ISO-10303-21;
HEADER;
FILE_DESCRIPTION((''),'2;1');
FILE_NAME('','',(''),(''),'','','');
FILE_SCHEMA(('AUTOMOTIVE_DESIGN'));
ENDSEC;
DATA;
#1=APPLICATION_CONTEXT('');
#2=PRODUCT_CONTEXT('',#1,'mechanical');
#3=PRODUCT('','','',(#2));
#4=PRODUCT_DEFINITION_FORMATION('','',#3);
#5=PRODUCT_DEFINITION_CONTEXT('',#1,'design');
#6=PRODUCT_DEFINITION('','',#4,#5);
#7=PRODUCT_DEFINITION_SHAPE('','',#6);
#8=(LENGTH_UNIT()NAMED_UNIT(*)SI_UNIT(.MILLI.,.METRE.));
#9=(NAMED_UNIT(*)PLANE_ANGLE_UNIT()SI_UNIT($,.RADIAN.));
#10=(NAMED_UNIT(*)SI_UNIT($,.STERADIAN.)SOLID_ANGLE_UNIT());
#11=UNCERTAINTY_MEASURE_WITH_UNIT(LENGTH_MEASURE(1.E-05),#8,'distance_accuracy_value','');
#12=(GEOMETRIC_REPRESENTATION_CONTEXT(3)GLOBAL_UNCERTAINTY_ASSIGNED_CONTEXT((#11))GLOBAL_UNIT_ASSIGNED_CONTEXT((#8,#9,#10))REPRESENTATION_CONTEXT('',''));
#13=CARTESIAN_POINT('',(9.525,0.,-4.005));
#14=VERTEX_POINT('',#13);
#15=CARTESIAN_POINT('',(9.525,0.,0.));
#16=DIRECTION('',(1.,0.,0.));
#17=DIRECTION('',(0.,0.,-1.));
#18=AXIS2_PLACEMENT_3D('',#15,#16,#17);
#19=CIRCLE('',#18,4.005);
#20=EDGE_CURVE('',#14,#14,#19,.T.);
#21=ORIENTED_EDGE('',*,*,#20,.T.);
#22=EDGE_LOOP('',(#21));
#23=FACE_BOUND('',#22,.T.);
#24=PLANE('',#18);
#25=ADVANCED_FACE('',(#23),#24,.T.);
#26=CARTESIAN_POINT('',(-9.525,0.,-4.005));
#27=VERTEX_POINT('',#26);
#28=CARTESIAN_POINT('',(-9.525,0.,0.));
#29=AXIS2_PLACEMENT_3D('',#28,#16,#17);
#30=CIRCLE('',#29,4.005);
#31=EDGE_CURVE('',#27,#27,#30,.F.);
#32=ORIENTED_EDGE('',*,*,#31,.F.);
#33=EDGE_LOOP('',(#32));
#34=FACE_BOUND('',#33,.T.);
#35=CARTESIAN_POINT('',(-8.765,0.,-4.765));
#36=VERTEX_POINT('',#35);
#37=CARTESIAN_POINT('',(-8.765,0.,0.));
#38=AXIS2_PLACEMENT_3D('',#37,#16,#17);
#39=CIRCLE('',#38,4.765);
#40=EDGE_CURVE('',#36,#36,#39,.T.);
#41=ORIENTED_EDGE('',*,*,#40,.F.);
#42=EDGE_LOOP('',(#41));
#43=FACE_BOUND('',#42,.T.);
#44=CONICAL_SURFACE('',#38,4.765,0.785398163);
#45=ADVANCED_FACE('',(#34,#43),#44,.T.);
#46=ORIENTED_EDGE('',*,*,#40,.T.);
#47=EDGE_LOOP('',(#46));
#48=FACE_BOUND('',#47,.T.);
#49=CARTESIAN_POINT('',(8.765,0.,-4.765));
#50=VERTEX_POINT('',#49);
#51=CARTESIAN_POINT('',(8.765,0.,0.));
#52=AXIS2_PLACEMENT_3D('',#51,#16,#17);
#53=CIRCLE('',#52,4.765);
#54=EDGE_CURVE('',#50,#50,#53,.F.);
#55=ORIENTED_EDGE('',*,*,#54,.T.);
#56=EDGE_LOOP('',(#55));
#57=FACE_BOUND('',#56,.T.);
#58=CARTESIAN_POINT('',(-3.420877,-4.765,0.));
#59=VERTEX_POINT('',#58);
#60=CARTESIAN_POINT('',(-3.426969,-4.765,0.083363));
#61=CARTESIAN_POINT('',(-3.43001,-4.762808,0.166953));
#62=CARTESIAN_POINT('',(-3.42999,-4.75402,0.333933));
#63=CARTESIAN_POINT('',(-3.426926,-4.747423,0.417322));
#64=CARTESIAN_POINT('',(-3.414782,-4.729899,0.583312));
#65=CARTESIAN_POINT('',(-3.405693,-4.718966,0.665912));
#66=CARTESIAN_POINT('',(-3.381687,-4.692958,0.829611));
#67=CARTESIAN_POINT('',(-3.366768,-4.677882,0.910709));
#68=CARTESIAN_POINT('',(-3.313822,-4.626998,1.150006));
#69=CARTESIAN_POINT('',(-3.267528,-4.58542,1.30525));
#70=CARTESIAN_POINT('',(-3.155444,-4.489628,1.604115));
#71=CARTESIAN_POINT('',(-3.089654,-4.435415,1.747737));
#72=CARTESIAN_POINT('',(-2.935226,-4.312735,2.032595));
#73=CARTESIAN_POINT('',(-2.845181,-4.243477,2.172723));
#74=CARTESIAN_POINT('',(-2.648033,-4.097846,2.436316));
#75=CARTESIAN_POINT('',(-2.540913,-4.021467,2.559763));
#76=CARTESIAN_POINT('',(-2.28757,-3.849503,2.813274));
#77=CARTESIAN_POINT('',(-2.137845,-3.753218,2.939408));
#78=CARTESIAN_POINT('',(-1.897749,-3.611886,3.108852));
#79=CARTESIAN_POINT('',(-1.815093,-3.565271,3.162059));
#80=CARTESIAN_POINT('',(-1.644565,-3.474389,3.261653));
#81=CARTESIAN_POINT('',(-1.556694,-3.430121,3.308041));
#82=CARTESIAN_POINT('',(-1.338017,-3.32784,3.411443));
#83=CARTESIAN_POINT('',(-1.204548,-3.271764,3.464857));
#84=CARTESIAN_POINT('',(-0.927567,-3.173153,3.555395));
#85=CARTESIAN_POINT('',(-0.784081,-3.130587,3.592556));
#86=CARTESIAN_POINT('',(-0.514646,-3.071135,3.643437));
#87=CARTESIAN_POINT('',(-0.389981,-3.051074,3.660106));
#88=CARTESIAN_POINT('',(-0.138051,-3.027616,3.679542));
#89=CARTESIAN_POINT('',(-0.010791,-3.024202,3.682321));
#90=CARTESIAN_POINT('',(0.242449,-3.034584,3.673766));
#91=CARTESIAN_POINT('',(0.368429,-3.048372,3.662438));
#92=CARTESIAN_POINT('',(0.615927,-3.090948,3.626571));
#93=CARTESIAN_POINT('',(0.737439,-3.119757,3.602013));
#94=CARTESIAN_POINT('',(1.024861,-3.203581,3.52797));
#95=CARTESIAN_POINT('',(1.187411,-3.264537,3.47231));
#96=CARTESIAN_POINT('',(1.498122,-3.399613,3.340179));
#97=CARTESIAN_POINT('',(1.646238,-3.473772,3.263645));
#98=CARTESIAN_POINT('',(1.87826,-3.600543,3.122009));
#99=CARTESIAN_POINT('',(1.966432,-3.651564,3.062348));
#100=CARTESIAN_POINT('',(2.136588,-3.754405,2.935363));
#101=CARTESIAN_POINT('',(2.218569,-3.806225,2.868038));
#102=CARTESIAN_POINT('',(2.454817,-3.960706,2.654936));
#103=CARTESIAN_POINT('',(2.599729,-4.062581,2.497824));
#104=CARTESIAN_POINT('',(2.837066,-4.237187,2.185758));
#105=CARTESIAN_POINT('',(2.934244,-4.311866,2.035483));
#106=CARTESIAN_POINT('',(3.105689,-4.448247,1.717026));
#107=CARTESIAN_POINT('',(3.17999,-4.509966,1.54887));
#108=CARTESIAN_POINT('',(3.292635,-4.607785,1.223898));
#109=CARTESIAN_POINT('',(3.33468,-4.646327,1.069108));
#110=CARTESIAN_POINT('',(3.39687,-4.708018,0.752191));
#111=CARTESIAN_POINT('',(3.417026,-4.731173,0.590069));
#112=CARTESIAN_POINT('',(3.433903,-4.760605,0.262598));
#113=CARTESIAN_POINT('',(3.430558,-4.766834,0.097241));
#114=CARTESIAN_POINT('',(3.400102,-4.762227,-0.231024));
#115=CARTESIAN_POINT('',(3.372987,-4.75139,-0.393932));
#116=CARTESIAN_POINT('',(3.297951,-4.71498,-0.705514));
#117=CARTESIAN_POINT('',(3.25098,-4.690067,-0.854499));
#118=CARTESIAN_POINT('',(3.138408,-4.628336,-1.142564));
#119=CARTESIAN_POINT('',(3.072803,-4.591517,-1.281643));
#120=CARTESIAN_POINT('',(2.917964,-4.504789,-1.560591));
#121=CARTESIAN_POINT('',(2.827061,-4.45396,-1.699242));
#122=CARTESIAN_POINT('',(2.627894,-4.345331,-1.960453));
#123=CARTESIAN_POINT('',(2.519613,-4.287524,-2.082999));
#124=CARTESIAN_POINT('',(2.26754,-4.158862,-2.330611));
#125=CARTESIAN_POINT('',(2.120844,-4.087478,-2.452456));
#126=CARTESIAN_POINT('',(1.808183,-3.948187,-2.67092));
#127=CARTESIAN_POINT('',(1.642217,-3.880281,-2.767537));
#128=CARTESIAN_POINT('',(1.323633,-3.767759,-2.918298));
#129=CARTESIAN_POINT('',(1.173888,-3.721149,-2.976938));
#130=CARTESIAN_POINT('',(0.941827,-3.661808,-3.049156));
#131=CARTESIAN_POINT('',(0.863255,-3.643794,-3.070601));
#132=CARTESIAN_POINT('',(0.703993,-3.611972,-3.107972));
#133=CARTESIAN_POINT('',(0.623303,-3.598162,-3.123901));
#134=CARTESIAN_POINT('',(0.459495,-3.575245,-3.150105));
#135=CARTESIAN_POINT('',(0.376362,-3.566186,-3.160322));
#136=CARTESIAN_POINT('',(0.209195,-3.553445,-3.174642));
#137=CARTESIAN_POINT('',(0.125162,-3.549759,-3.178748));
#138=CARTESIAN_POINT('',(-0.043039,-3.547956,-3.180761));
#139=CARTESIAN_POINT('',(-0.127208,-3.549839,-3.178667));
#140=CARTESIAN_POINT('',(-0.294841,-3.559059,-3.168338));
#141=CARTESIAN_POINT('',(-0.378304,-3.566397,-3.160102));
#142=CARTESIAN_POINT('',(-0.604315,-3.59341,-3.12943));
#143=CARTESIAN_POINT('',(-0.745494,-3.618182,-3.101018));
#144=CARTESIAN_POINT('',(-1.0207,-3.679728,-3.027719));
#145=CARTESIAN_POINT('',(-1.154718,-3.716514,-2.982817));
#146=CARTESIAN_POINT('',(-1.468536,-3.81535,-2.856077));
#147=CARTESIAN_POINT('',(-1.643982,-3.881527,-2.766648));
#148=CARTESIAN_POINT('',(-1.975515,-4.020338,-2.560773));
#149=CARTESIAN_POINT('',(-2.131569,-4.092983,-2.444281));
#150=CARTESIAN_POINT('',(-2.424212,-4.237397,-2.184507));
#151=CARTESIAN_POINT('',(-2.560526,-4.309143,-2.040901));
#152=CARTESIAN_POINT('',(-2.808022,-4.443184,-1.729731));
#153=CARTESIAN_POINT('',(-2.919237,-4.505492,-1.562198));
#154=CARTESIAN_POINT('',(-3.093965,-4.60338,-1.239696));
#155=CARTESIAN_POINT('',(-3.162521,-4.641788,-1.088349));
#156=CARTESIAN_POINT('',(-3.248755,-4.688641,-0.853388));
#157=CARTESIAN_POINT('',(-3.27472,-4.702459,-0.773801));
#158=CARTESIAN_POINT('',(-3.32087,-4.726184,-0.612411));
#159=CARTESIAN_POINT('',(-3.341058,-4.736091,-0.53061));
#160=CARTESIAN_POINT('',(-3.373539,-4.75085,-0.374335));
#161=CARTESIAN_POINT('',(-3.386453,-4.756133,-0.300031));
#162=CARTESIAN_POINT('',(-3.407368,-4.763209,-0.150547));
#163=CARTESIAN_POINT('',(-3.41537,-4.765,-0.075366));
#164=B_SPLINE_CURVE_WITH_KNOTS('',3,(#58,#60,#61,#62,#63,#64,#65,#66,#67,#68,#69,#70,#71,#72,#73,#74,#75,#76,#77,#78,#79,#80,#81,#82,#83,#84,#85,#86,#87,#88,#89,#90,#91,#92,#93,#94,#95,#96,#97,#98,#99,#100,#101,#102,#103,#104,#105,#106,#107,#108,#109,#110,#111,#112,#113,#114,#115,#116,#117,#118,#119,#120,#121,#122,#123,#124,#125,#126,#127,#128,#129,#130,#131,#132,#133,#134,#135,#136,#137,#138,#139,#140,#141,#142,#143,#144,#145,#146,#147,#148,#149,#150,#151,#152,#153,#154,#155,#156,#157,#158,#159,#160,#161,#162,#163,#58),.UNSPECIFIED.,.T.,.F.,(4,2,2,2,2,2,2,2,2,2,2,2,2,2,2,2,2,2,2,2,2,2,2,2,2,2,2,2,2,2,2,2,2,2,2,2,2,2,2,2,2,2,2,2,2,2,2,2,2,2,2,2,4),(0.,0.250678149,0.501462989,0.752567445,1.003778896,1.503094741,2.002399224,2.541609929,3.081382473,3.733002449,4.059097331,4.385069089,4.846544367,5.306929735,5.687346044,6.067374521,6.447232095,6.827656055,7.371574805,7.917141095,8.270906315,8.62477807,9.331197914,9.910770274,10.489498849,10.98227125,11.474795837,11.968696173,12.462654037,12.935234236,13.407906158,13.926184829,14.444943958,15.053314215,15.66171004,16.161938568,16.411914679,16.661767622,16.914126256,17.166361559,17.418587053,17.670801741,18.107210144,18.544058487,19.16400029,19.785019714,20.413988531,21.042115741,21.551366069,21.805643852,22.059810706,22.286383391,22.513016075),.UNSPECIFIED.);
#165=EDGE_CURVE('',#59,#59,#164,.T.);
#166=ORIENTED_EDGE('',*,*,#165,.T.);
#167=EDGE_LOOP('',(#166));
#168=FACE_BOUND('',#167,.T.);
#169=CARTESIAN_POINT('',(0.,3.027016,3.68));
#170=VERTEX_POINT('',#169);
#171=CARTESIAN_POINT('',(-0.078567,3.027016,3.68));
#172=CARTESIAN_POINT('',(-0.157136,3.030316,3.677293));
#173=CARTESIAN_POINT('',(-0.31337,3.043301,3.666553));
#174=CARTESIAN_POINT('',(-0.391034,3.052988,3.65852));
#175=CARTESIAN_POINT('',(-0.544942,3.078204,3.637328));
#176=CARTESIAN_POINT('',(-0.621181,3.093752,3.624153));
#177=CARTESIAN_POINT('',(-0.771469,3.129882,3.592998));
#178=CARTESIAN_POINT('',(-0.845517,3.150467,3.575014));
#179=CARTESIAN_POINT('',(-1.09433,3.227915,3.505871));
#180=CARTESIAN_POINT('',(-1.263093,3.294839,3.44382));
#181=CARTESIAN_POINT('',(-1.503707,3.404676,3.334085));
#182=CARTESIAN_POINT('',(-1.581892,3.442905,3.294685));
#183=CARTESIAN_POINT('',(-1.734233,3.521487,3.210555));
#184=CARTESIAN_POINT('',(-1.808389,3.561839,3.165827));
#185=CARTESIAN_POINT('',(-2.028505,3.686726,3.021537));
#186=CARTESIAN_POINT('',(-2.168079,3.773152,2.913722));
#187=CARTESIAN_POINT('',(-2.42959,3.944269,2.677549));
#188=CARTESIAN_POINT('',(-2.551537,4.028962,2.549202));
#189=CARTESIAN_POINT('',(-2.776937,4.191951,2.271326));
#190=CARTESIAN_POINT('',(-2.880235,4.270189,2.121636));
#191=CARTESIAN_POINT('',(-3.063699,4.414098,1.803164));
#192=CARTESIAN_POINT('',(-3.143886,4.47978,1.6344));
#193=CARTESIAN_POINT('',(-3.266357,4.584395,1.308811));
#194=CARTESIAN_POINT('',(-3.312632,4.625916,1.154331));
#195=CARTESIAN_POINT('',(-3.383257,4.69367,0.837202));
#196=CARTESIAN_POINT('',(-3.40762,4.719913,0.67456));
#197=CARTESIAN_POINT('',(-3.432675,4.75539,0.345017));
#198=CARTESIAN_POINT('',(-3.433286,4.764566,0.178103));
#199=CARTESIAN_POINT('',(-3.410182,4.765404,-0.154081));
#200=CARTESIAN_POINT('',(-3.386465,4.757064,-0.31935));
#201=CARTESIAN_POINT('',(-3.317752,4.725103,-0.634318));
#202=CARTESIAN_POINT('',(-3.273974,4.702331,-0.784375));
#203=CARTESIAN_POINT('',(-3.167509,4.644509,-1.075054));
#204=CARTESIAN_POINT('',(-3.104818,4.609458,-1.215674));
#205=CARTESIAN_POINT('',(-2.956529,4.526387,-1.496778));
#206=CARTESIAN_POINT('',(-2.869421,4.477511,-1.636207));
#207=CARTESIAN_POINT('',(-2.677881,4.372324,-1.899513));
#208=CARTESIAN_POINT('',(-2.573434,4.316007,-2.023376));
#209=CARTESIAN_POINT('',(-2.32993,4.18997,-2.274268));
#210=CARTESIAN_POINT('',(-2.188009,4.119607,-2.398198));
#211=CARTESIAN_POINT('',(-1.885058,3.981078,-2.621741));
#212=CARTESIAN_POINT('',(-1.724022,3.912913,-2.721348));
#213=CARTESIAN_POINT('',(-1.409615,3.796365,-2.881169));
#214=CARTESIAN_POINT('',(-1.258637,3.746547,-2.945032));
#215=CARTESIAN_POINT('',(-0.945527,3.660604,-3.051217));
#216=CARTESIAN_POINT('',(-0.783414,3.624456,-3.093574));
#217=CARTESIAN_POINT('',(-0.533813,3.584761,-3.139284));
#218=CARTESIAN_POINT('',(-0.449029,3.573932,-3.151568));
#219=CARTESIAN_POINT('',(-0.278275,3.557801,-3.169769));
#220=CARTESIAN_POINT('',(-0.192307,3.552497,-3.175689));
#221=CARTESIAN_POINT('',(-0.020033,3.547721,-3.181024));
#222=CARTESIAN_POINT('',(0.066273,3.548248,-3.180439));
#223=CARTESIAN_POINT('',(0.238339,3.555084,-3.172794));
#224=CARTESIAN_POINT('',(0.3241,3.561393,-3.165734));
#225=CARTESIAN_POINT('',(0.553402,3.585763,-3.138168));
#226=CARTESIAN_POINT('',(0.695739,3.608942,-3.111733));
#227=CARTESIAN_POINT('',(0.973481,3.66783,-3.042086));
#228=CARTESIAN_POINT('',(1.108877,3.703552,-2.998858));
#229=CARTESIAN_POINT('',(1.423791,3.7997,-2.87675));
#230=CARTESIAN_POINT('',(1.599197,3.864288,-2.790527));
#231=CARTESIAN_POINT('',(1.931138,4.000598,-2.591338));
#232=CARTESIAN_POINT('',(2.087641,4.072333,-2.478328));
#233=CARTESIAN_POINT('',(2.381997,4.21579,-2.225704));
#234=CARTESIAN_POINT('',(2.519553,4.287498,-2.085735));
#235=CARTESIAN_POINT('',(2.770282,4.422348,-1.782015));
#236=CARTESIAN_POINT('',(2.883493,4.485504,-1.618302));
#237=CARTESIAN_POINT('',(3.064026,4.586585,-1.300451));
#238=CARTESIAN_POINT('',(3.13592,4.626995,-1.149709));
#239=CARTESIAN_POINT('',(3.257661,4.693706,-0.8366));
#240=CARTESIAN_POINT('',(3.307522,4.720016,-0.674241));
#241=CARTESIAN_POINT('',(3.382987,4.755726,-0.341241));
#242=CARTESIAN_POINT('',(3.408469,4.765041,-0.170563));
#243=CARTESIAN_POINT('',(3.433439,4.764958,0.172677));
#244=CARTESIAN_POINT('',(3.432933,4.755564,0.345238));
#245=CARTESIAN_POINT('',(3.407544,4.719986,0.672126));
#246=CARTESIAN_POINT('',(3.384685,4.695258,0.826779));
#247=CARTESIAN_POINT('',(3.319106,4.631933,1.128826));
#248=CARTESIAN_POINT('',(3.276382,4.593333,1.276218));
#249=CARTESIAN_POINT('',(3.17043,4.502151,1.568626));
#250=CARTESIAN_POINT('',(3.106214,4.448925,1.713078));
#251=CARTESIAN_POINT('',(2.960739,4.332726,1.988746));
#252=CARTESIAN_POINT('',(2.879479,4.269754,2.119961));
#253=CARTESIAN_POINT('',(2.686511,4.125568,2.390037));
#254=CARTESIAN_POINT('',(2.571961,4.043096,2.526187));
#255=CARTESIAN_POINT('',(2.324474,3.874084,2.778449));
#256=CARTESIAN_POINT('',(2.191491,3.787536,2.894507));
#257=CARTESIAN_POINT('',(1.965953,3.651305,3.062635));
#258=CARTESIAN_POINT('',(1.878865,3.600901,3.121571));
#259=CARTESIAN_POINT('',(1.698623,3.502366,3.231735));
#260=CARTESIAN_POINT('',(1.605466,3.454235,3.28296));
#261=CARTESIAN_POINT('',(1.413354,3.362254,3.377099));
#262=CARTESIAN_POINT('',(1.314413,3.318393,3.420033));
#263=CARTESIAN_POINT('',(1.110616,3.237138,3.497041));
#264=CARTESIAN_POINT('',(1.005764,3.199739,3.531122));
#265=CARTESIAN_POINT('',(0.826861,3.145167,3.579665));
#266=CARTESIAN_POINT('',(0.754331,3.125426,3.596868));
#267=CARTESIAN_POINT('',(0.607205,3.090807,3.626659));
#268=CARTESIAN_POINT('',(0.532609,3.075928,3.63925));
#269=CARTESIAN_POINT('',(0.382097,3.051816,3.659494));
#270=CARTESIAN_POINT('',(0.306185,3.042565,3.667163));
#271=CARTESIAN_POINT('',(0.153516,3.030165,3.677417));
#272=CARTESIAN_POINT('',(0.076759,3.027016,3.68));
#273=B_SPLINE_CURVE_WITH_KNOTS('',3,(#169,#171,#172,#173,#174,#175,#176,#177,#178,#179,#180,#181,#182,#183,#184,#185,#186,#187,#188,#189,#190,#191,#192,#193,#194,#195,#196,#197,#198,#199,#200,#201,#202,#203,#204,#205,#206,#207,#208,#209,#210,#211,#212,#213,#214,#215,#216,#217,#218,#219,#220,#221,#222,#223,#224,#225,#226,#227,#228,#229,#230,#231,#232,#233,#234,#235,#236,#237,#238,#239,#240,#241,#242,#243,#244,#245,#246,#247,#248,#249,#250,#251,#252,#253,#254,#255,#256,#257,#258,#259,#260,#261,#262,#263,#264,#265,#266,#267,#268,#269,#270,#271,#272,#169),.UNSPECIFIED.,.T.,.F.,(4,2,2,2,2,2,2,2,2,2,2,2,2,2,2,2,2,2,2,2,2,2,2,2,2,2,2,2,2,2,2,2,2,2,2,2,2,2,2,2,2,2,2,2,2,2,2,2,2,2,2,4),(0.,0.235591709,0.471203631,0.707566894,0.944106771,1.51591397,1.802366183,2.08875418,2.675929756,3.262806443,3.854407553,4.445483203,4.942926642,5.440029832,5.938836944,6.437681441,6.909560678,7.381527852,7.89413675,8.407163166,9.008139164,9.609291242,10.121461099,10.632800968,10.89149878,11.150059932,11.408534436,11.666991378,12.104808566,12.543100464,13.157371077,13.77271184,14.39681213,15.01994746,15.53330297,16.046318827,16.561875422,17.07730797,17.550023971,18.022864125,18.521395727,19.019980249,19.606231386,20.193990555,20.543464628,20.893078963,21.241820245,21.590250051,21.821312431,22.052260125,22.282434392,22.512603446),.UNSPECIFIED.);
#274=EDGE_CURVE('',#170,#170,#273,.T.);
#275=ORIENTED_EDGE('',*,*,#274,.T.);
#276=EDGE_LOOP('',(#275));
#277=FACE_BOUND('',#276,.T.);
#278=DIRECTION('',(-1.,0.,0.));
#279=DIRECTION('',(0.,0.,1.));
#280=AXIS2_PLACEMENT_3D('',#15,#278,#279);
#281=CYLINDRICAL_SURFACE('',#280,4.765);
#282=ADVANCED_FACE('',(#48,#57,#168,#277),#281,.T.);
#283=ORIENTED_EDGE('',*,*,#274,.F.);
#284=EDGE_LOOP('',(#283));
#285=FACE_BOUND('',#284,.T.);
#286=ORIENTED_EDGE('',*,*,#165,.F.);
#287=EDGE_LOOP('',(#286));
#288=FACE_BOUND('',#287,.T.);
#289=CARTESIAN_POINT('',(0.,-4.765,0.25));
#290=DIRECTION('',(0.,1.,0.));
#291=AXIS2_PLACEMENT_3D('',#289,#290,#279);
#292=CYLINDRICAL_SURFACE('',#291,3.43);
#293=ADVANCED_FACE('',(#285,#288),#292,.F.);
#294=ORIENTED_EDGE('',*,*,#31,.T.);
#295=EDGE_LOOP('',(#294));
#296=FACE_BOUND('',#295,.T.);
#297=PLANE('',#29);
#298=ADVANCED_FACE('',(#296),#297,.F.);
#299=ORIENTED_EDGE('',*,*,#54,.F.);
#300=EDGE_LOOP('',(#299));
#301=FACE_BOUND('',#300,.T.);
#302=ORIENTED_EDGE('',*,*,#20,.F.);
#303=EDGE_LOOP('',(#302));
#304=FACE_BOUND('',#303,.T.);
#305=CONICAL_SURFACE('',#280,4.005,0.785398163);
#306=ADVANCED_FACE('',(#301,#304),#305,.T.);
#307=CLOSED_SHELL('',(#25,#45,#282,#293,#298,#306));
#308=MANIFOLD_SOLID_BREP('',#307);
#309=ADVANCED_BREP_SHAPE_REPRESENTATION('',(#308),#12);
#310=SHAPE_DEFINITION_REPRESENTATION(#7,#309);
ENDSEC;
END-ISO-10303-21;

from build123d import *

# Parameters (mm, degrees)
CROQUIS1_R                 = 4.765
SALIENTE_EXTRUIR1_DEPTH    = 9.525
CHAFL_N1_SIZE              = 0.76
CROQUIS2_R                 = 3.43
CORTAR_EXTRUIR1_DEPTH      = 5.765
CORTAR_EXTRUIR1_DEPTH_BACK = 5.765


with BuildPart() as part:
    # Croquis1 → Saliente-Extruir1 (new body, symmetric)
    with BuildSketch(Plane(origin=(0, 0, 0), x_dir=(0, 0, -1), z_dir=(1, 0, 0))):
        Circle(CROQUIS1_R)
    extrude(amount=SALIENTE_EXTRUIR1_DEPTH, both=True)

    # Chaflán1
    chafl_n1_edges = [part.edges().sort_by_distance(p)[0] for p in [
        (-9.525, 0, 4.765),
        (9.525, 0, 4.765),
    ]]
    chamfer(chafl_n1_edges, length=CHAFL_N1_SIZE)

    # Croquis2 → Cortar-Extruir1 (cut, two sides)
    with BuildSketch(Plane(origin=(0, 0, 0), x_dir=(1, 0, 0), z_dir=(0, 1, 0))) as cortar_extruir1_sk:
        with Locations((0, -0.25)):
            Circle(CROQUIS2_R)
    extrude(amount=CORTAR_EXTRUIR1_DEPTH, mode=Mode.SUBTRACT)
    extrude(cortar_extruir1_sk.sketch, amount=-CORTAR_EXTRUIR1_DEPTH_BACK, mode=Mode.SUBTRACT)


solid = part.part
